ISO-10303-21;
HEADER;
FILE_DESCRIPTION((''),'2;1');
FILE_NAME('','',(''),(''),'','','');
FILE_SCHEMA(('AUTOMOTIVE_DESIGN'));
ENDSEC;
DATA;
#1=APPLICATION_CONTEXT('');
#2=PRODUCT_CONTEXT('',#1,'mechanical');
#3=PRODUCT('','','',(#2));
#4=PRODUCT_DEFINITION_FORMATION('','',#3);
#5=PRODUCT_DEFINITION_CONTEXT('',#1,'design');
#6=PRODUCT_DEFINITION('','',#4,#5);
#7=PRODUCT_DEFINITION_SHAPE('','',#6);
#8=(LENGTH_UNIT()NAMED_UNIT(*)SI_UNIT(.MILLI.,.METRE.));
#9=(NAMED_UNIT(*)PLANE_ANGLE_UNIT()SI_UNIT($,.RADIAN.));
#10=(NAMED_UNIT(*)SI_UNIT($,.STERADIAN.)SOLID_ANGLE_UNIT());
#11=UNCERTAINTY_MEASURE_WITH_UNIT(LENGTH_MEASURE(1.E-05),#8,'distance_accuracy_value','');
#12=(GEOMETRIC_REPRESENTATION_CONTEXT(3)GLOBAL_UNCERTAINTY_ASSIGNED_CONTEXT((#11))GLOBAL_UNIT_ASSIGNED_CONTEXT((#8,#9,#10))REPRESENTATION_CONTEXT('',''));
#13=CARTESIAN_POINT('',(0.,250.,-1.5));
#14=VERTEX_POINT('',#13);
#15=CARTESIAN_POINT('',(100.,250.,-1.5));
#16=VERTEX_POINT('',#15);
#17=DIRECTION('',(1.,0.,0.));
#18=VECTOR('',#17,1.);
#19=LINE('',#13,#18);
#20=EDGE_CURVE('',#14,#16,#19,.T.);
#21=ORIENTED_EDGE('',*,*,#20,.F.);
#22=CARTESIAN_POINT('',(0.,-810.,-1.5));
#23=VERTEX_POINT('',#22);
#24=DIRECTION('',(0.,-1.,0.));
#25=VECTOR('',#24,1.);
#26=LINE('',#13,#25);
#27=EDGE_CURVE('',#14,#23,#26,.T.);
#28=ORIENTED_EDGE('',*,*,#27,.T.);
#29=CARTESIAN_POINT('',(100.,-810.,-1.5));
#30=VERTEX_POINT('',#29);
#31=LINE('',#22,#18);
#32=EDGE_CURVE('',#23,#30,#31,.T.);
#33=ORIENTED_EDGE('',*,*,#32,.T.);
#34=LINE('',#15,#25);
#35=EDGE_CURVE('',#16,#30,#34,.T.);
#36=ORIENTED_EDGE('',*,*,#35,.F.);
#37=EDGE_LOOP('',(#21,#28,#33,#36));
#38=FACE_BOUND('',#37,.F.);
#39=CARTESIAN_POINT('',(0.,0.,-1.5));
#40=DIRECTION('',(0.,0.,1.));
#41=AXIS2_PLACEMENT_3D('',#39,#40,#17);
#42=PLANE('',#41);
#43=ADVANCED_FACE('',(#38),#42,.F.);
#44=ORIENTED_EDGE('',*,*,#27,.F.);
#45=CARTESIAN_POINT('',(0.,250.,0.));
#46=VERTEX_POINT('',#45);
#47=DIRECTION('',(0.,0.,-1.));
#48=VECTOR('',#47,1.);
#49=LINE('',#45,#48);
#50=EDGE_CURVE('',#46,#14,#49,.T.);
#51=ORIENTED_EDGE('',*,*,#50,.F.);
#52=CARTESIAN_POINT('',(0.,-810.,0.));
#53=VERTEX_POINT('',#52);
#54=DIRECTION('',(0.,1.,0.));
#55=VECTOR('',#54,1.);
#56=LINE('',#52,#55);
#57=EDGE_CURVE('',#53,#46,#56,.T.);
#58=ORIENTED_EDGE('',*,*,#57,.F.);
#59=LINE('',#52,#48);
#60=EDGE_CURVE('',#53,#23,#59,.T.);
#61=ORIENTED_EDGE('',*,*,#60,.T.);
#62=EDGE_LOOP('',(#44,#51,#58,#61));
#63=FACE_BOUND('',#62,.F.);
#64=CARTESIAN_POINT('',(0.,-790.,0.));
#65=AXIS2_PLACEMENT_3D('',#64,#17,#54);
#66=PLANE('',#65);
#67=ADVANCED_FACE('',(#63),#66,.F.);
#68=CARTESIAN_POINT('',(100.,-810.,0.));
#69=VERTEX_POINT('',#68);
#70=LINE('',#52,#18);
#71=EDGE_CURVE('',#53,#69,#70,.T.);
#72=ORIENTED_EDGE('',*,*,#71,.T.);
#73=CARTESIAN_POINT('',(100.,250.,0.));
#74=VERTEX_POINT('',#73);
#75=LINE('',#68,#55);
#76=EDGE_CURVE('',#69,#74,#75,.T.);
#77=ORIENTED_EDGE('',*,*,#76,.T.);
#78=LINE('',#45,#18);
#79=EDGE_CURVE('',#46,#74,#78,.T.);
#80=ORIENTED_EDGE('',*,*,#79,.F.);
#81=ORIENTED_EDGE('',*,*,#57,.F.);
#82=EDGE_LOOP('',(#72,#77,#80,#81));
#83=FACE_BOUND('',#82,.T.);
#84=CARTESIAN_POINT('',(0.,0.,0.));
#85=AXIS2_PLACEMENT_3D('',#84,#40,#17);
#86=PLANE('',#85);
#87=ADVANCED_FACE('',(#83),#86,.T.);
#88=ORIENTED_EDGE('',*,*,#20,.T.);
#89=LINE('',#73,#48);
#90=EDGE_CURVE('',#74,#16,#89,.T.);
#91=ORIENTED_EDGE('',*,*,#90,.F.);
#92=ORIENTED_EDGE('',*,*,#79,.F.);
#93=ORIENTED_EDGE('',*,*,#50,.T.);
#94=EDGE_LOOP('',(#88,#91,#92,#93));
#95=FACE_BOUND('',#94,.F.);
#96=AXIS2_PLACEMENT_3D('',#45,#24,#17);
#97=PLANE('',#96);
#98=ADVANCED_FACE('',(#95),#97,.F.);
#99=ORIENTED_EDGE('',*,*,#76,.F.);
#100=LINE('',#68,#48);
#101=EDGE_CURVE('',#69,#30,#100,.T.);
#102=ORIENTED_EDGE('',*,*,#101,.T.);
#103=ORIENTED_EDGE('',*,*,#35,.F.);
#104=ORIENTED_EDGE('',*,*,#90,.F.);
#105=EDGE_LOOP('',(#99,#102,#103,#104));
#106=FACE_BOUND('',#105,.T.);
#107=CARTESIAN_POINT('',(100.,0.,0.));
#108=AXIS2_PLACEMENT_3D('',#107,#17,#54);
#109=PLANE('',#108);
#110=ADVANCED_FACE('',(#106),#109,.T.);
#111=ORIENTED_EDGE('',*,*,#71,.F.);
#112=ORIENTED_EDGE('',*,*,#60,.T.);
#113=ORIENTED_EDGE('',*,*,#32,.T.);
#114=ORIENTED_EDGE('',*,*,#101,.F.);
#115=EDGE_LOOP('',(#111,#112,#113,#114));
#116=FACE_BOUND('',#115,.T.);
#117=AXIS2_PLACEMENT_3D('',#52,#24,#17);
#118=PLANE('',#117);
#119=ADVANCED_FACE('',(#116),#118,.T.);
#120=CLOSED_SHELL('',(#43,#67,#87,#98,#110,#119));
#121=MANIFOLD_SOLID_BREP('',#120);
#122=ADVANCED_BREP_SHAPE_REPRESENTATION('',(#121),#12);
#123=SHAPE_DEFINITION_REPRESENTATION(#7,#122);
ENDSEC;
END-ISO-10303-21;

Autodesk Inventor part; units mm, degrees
ref_plane "YZ Plane" through (0, 0, 0) normal (1, 0, 0) x (0, 1, 0)
ref_plane "XZ Plane" through (0, 0, 0) normal (0, 1, 0) x (-1, 0, 0)
ref_plane "Work Plane1" through (0, 0, 0) normal (0, 0, 1) x (1, 0, 0)
sketch "Sketch1" plane through (0, 0, 0) normal (0, 0, 1) x (1, 0, 0)
  line L0 (0, -790) -> (0, 230)
  line L1 (0, -810) -> (0, -790)
  line L2 (0, -810) -> (100, -810)
  line L3 (100, -810) -> (100, -560)
  line L4 (10, -560) -> (100, -560)
  line L5 (10, -560) -> (10, 0)
  line L6 (10, 0) -> (100, 0)
  line L7 (100, 0) -> (100, 250)
  line L8 (0, 250) -> (100, 250)
  line L9 (0, 230) -> (0, 250)
  line L10 (100, 0) -> (100, -560)
  point P0 (0, 0)
extrude "Plate1" add sketch "Sketch1" against normal blind 1.5
equation "\"d0\" = Thickness"
equation "\"BendRadius\" = Thickness"
equation "\"BendReliefWidth\" = Thickness"
equation "\"BendReliefDepth\" = 0.5 * Thickness"
equation "\"CornerReliefSize\" = 4 * Thickness"
equation "\"MinimumRemnant\" = 2 * Thickness"
equation "\"TransitionRadius\" = BendRadius"
equation "\"JacobiRadiusSize\" = BendRadius"
equation "\"GapSize\" = Thickness"
equation "\"Thickness\" = 1.5"
properties part number "CARCASA_ALUM_8"
